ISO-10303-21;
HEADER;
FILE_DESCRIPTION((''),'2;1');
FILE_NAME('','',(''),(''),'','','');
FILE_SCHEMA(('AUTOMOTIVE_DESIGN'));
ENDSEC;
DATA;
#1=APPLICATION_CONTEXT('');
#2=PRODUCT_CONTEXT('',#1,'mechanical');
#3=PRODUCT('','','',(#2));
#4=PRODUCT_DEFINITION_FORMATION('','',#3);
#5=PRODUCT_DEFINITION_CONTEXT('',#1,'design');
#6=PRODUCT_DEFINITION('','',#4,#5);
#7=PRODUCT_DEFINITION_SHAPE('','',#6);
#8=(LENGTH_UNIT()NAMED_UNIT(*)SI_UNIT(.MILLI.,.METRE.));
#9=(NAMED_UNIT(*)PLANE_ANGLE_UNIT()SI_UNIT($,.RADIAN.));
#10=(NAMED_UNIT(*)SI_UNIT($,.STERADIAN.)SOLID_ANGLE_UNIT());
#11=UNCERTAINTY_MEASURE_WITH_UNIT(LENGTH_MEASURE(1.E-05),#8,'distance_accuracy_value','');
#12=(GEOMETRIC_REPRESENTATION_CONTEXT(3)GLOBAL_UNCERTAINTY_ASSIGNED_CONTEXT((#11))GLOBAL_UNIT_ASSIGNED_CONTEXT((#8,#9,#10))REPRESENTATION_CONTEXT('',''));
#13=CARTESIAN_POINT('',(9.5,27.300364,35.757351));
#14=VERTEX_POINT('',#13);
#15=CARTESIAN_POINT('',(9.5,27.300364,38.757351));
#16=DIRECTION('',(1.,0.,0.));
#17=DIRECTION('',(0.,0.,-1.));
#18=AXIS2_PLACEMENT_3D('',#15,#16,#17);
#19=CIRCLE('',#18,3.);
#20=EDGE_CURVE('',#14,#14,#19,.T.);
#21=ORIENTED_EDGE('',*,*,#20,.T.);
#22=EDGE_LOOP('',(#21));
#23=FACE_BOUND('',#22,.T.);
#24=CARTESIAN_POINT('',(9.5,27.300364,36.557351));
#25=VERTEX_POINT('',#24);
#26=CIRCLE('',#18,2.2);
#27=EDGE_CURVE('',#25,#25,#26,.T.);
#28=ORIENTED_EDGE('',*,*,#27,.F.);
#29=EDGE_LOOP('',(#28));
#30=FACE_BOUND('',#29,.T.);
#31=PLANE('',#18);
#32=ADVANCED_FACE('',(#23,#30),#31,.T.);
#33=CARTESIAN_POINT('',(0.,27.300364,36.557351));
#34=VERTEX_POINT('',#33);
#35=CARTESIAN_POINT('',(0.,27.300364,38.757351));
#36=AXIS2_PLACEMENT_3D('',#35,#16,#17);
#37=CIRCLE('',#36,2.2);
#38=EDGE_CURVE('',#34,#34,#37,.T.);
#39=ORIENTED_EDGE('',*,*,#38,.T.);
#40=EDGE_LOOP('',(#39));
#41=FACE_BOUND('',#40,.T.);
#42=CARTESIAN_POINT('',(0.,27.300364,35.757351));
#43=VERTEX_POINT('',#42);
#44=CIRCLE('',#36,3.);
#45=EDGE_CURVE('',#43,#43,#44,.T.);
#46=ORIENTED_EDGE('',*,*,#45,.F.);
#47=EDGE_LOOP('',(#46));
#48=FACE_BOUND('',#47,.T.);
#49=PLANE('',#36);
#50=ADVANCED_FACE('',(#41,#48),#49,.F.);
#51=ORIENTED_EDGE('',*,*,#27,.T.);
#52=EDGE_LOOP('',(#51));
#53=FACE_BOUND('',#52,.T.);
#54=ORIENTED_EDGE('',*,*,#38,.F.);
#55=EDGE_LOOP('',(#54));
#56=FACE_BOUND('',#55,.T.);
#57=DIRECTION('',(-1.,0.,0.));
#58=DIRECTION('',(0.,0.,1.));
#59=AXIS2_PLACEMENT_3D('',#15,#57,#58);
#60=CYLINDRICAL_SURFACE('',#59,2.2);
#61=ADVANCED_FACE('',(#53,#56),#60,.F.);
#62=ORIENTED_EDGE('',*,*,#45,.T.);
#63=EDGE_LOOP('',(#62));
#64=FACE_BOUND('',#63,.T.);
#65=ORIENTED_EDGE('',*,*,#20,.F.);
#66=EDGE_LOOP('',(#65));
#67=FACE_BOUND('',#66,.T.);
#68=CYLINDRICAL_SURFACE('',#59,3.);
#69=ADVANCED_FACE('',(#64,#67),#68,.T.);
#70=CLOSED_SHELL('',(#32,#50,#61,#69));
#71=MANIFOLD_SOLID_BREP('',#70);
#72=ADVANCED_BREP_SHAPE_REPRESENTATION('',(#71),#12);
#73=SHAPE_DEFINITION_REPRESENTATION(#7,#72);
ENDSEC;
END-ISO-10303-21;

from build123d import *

# Parameters (mm, degrees)
SKETCH_1_R      = 3
SKETCH_1_R_2    = 2.2
EXTRUDE_1_DEPTH = 9.5


with BuildPart() as part:
    # ｽｹｯﾁ1 → ﾎﾞｽ - 押し出し1 (new body)
    with BuildSketch(Plane(origin=(0, 0, 0), x_dir=(0, 0, -1), z_dir=(1, 0, 0))):
        with Locations((-38.757351486, 27.300364138)):
            Circle(SKETCH_1_R)
        with Locations((-38.757351486, 27.300364138)):
            Circle(SKETCH_1_R_2, mode=Mode.SUBTRACT)
    extrude(amount=EXTRUDE_1_DEPTH)


solid = part.part
